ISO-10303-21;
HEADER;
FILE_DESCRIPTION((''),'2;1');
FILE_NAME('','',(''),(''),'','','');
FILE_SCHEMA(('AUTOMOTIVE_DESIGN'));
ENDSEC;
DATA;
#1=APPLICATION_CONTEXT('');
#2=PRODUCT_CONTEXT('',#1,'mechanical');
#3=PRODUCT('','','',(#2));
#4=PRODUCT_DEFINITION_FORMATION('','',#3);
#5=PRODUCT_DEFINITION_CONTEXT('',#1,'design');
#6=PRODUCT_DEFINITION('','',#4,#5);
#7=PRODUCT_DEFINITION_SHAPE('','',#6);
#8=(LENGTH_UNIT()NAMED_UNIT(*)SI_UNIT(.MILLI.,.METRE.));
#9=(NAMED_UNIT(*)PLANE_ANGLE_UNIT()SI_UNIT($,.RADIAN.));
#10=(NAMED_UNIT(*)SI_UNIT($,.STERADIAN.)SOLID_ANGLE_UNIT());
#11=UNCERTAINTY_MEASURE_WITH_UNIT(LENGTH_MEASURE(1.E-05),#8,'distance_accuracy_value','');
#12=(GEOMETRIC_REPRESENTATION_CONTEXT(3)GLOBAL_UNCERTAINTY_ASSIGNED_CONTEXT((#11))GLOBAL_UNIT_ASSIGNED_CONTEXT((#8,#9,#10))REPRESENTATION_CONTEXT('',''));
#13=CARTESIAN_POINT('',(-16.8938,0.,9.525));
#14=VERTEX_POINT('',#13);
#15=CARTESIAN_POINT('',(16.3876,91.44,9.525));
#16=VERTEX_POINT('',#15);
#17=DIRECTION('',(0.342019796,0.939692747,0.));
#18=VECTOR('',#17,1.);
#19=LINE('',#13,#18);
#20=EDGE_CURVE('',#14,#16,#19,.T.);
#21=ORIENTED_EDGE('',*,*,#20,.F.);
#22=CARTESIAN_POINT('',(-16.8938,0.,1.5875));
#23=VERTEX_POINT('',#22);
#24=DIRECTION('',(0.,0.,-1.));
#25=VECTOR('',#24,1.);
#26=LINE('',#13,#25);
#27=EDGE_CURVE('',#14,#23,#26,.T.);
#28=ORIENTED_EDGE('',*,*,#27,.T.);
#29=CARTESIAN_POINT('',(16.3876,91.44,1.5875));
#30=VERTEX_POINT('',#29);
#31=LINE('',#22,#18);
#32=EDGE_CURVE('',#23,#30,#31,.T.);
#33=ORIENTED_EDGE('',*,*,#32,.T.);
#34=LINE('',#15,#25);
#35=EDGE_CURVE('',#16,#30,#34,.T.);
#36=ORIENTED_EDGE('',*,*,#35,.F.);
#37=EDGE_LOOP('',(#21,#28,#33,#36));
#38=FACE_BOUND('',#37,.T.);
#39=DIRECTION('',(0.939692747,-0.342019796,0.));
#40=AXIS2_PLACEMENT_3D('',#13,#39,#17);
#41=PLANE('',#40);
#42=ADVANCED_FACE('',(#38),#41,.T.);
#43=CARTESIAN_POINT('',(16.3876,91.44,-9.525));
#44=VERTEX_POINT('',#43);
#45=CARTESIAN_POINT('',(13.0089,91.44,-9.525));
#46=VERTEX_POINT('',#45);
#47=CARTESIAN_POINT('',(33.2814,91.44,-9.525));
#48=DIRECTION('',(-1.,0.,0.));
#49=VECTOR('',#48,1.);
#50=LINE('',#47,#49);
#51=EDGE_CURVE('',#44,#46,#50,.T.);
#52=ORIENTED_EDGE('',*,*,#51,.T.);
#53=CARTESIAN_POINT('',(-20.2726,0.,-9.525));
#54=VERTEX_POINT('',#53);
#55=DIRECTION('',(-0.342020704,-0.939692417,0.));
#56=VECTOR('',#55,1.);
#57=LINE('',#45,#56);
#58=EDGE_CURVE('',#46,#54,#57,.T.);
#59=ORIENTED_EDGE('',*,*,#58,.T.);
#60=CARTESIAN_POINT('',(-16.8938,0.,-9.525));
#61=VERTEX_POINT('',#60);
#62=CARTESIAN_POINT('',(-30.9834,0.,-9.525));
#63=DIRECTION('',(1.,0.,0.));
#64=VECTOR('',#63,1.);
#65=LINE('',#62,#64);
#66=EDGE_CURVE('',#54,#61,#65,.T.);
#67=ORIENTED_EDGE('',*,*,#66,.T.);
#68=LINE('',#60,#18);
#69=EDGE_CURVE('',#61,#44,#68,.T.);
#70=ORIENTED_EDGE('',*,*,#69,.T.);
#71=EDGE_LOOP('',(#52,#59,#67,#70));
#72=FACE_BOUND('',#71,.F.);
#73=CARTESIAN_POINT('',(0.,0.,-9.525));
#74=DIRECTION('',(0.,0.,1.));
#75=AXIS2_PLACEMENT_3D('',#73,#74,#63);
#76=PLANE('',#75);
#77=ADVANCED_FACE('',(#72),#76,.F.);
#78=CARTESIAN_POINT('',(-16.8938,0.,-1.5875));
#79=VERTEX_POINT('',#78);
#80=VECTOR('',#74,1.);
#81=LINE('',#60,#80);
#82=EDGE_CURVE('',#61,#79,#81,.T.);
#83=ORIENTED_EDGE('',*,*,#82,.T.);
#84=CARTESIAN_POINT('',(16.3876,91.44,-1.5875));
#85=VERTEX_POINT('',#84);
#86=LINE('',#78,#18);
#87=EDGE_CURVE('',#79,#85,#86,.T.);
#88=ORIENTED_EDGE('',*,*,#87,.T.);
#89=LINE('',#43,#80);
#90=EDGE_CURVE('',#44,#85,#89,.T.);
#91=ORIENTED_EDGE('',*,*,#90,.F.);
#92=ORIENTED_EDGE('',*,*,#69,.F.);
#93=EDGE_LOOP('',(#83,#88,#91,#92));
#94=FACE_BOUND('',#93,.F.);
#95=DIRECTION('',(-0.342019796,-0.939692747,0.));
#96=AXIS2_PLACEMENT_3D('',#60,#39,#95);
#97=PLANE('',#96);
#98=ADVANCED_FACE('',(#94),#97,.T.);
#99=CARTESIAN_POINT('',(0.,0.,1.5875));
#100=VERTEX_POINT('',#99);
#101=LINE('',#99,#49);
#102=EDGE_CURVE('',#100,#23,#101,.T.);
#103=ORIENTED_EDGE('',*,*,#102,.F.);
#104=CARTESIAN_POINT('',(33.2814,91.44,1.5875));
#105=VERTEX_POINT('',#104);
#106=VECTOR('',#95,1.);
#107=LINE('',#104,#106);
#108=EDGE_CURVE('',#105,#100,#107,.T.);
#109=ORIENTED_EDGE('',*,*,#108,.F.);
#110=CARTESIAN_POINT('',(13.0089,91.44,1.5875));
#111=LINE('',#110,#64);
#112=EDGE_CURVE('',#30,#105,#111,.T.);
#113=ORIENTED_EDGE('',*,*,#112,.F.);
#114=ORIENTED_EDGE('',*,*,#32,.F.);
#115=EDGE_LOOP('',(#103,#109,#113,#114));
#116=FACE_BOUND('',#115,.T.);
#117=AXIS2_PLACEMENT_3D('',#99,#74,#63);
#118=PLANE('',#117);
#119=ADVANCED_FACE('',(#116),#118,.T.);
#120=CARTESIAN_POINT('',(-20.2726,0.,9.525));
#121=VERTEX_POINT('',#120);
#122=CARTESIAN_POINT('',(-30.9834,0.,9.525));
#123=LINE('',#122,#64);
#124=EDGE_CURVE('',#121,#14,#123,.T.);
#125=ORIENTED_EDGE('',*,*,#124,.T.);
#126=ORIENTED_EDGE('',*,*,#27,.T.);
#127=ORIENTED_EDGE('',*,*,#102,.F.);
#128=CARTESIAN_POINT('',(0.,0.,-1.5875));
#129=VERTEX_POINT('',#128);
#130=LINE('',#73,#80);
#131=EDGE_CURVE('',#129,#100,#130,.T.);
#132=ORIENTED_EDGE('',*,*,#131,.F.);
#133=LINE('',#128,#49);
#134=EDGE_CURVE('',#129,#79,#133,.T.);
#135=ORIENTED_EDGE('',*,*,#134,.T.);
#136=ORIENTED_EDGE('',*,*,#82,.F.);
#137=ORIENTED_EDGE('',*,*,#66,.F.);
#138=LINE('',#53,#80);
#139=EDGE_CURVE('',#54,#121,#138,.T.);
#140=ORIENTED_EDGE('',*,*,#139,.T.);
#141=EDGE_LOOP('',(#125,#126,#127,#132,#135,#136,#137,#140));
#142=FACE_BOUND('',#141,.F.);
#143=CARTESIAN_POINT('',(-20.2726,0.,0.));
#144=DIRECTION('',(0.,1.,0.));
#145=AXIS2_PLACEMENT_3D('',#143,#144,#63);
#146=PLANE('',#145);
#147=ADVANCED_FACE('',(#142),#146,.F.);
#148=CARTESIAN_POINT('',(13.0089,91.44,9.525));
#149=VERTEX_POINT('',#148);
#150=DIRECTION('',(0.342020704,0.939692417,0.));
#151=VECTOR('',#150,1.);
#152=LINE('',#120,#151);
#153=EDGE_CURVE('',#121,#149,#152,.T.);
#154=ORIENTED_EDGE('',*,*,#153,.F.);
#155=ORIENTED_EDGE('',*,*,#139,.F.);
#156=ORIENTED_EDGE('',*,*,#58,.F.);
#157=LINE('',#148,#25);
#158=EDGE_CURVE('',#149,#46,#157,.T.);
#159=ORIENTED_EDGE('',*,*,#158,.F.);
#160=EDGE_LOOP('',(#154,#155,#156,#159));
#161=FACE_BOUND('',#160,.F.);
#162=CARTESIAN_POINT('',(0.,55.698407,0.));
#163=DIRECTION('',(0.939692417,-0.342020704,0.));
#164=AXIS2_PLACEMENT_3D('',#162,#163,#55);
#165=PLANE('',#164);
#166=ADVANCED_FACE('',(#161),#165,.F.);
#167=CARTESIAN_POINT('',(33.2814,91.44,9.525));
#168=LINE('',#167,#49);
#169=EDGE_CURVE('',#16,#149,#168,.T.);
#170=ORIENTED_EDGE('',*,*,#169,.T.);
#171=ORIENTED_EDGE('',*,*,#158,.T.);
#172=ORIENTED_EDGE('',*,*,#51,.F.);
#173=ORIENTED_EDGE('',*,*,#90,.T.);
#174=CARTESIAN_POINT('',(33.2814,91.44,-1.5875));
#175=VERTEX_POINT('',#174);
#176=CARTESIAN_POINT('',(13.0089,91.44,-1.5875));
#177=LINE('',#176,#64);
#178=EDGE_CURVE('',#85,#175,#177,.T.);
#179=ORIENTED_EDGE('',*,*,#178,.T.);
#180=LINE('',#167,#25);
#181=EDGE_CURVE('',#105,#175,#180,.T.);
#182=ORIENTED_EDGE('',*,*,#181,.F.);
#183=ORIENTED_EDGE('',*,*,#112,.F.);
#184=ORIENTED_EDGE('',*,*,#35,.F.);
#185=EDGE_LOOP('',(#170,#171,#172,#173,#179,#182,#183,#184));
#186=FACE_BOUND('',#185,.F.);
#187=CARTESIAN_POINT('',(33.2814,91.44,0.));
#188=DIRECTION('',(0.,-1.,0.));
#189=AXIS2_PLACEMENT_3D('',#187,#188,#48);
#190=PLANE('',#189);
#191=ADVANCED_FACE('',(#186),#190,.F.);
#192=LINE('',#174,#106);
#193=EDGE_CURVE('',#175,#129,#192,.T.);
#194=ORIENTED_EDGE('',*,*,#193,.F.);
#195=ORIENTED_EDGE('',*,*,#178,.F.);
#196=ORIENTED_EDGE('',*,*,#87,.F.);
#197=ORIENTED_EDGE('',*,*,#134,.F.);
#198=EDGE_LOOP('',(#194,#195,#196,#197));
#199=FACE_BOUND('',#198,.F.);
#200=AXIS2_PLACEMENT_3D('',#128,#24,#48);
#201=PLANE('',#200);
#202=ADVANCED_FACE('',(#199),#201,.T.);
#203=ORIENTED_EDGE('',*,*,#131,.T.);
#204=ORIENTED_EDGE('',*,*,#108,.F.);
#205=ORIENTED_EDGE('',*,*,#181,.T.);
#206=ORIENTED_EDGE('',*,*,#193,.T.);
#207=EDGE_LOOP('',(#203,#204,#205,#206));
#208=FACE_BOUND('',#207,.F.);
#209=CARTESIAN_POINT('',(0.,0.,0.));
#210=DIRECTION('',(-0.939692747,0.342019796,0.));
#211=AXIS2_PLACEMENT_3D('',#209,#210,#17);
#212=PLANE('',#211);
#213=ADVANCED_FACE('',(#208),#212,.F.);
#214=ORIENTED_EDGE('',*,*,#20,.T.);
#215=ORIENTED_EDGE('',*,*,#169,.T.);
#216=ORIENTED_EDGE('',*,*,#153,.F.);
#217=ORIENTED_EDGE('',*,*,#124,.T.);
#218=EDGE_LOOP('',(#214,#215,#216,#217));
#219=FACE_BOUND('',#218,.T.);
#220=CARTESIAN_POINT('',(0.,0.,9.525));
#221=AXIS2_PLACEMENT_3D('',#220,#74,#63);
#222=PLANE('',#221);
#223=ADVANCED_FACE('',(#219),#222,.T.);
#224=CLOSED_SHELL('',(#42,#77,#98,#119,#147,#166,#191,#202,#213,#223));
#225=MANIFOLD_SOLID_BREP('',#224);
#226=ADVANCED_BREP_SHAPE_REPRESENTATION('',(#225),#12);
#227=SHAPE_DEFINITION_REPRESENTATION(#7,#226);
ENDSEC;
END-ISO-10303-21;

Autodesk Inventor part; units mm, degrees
ref_plane "YZ Plane" through (0, 0, 0) normal (1, 0, 0) x (0, 1, 0)
ref_plane "XZ Plane" through (0, 0, 0) normal (0, 1, 0) x (-1, 0, 0)
ref_plane "XY Plane" through (0, 0, 0) normal (0, 0, 1) x (1, 0, 0)
sketch "Sketch1" plane through (0, 0, 0) normal (0, 0, 1) x (1, 0, 0)
  line L0 (-30.9834, 0) -> (43.9922, 0) projected
  line L1 (0, -18.288) -> (0, 109.728) projected
  line L2 (0, 0) -> (33.2814, 91.44)
  line L3 (33.2814, 91.44) -> (13.0089, 91.44)
  line L4 (13.0089, 91.44) -> (-20.2726, 0)
  dimension "d0" = 19.05
  dimension "d10" = 20
  dimension "d11" = 91.44
extrude "Extrusion1" add sketch "Sketch1" along normal mid plane 19.05
sketch "Sketch3" plane through (0, 0, 9.525) normal (0, 0, 1) x (1, 0, 0)
  line L0 (-20.2726, 0) -> (13.0089, 91.44) projected
  line L1 (0, 0) -> (-20.2726, 0) projected
  line L2 (33.2814, 91.44) -> (0, 0) projected
  line L3 (13.0089, 91.44) -> (33.2814, 91.44) projected
  line L4 (-16.8938, 0) -> (16.3876, 91.44)
  dimension "d7" = 3.175
extrude "Extrusion2" cut sketch "Sketch3" against normal blind 7.9375 contours L4 L3 L2 L1
mirror "Mirror1" about plane through (0, 0, 0) normal (0, 0, 1) of "Extrusion2"
properties part number "brace"
